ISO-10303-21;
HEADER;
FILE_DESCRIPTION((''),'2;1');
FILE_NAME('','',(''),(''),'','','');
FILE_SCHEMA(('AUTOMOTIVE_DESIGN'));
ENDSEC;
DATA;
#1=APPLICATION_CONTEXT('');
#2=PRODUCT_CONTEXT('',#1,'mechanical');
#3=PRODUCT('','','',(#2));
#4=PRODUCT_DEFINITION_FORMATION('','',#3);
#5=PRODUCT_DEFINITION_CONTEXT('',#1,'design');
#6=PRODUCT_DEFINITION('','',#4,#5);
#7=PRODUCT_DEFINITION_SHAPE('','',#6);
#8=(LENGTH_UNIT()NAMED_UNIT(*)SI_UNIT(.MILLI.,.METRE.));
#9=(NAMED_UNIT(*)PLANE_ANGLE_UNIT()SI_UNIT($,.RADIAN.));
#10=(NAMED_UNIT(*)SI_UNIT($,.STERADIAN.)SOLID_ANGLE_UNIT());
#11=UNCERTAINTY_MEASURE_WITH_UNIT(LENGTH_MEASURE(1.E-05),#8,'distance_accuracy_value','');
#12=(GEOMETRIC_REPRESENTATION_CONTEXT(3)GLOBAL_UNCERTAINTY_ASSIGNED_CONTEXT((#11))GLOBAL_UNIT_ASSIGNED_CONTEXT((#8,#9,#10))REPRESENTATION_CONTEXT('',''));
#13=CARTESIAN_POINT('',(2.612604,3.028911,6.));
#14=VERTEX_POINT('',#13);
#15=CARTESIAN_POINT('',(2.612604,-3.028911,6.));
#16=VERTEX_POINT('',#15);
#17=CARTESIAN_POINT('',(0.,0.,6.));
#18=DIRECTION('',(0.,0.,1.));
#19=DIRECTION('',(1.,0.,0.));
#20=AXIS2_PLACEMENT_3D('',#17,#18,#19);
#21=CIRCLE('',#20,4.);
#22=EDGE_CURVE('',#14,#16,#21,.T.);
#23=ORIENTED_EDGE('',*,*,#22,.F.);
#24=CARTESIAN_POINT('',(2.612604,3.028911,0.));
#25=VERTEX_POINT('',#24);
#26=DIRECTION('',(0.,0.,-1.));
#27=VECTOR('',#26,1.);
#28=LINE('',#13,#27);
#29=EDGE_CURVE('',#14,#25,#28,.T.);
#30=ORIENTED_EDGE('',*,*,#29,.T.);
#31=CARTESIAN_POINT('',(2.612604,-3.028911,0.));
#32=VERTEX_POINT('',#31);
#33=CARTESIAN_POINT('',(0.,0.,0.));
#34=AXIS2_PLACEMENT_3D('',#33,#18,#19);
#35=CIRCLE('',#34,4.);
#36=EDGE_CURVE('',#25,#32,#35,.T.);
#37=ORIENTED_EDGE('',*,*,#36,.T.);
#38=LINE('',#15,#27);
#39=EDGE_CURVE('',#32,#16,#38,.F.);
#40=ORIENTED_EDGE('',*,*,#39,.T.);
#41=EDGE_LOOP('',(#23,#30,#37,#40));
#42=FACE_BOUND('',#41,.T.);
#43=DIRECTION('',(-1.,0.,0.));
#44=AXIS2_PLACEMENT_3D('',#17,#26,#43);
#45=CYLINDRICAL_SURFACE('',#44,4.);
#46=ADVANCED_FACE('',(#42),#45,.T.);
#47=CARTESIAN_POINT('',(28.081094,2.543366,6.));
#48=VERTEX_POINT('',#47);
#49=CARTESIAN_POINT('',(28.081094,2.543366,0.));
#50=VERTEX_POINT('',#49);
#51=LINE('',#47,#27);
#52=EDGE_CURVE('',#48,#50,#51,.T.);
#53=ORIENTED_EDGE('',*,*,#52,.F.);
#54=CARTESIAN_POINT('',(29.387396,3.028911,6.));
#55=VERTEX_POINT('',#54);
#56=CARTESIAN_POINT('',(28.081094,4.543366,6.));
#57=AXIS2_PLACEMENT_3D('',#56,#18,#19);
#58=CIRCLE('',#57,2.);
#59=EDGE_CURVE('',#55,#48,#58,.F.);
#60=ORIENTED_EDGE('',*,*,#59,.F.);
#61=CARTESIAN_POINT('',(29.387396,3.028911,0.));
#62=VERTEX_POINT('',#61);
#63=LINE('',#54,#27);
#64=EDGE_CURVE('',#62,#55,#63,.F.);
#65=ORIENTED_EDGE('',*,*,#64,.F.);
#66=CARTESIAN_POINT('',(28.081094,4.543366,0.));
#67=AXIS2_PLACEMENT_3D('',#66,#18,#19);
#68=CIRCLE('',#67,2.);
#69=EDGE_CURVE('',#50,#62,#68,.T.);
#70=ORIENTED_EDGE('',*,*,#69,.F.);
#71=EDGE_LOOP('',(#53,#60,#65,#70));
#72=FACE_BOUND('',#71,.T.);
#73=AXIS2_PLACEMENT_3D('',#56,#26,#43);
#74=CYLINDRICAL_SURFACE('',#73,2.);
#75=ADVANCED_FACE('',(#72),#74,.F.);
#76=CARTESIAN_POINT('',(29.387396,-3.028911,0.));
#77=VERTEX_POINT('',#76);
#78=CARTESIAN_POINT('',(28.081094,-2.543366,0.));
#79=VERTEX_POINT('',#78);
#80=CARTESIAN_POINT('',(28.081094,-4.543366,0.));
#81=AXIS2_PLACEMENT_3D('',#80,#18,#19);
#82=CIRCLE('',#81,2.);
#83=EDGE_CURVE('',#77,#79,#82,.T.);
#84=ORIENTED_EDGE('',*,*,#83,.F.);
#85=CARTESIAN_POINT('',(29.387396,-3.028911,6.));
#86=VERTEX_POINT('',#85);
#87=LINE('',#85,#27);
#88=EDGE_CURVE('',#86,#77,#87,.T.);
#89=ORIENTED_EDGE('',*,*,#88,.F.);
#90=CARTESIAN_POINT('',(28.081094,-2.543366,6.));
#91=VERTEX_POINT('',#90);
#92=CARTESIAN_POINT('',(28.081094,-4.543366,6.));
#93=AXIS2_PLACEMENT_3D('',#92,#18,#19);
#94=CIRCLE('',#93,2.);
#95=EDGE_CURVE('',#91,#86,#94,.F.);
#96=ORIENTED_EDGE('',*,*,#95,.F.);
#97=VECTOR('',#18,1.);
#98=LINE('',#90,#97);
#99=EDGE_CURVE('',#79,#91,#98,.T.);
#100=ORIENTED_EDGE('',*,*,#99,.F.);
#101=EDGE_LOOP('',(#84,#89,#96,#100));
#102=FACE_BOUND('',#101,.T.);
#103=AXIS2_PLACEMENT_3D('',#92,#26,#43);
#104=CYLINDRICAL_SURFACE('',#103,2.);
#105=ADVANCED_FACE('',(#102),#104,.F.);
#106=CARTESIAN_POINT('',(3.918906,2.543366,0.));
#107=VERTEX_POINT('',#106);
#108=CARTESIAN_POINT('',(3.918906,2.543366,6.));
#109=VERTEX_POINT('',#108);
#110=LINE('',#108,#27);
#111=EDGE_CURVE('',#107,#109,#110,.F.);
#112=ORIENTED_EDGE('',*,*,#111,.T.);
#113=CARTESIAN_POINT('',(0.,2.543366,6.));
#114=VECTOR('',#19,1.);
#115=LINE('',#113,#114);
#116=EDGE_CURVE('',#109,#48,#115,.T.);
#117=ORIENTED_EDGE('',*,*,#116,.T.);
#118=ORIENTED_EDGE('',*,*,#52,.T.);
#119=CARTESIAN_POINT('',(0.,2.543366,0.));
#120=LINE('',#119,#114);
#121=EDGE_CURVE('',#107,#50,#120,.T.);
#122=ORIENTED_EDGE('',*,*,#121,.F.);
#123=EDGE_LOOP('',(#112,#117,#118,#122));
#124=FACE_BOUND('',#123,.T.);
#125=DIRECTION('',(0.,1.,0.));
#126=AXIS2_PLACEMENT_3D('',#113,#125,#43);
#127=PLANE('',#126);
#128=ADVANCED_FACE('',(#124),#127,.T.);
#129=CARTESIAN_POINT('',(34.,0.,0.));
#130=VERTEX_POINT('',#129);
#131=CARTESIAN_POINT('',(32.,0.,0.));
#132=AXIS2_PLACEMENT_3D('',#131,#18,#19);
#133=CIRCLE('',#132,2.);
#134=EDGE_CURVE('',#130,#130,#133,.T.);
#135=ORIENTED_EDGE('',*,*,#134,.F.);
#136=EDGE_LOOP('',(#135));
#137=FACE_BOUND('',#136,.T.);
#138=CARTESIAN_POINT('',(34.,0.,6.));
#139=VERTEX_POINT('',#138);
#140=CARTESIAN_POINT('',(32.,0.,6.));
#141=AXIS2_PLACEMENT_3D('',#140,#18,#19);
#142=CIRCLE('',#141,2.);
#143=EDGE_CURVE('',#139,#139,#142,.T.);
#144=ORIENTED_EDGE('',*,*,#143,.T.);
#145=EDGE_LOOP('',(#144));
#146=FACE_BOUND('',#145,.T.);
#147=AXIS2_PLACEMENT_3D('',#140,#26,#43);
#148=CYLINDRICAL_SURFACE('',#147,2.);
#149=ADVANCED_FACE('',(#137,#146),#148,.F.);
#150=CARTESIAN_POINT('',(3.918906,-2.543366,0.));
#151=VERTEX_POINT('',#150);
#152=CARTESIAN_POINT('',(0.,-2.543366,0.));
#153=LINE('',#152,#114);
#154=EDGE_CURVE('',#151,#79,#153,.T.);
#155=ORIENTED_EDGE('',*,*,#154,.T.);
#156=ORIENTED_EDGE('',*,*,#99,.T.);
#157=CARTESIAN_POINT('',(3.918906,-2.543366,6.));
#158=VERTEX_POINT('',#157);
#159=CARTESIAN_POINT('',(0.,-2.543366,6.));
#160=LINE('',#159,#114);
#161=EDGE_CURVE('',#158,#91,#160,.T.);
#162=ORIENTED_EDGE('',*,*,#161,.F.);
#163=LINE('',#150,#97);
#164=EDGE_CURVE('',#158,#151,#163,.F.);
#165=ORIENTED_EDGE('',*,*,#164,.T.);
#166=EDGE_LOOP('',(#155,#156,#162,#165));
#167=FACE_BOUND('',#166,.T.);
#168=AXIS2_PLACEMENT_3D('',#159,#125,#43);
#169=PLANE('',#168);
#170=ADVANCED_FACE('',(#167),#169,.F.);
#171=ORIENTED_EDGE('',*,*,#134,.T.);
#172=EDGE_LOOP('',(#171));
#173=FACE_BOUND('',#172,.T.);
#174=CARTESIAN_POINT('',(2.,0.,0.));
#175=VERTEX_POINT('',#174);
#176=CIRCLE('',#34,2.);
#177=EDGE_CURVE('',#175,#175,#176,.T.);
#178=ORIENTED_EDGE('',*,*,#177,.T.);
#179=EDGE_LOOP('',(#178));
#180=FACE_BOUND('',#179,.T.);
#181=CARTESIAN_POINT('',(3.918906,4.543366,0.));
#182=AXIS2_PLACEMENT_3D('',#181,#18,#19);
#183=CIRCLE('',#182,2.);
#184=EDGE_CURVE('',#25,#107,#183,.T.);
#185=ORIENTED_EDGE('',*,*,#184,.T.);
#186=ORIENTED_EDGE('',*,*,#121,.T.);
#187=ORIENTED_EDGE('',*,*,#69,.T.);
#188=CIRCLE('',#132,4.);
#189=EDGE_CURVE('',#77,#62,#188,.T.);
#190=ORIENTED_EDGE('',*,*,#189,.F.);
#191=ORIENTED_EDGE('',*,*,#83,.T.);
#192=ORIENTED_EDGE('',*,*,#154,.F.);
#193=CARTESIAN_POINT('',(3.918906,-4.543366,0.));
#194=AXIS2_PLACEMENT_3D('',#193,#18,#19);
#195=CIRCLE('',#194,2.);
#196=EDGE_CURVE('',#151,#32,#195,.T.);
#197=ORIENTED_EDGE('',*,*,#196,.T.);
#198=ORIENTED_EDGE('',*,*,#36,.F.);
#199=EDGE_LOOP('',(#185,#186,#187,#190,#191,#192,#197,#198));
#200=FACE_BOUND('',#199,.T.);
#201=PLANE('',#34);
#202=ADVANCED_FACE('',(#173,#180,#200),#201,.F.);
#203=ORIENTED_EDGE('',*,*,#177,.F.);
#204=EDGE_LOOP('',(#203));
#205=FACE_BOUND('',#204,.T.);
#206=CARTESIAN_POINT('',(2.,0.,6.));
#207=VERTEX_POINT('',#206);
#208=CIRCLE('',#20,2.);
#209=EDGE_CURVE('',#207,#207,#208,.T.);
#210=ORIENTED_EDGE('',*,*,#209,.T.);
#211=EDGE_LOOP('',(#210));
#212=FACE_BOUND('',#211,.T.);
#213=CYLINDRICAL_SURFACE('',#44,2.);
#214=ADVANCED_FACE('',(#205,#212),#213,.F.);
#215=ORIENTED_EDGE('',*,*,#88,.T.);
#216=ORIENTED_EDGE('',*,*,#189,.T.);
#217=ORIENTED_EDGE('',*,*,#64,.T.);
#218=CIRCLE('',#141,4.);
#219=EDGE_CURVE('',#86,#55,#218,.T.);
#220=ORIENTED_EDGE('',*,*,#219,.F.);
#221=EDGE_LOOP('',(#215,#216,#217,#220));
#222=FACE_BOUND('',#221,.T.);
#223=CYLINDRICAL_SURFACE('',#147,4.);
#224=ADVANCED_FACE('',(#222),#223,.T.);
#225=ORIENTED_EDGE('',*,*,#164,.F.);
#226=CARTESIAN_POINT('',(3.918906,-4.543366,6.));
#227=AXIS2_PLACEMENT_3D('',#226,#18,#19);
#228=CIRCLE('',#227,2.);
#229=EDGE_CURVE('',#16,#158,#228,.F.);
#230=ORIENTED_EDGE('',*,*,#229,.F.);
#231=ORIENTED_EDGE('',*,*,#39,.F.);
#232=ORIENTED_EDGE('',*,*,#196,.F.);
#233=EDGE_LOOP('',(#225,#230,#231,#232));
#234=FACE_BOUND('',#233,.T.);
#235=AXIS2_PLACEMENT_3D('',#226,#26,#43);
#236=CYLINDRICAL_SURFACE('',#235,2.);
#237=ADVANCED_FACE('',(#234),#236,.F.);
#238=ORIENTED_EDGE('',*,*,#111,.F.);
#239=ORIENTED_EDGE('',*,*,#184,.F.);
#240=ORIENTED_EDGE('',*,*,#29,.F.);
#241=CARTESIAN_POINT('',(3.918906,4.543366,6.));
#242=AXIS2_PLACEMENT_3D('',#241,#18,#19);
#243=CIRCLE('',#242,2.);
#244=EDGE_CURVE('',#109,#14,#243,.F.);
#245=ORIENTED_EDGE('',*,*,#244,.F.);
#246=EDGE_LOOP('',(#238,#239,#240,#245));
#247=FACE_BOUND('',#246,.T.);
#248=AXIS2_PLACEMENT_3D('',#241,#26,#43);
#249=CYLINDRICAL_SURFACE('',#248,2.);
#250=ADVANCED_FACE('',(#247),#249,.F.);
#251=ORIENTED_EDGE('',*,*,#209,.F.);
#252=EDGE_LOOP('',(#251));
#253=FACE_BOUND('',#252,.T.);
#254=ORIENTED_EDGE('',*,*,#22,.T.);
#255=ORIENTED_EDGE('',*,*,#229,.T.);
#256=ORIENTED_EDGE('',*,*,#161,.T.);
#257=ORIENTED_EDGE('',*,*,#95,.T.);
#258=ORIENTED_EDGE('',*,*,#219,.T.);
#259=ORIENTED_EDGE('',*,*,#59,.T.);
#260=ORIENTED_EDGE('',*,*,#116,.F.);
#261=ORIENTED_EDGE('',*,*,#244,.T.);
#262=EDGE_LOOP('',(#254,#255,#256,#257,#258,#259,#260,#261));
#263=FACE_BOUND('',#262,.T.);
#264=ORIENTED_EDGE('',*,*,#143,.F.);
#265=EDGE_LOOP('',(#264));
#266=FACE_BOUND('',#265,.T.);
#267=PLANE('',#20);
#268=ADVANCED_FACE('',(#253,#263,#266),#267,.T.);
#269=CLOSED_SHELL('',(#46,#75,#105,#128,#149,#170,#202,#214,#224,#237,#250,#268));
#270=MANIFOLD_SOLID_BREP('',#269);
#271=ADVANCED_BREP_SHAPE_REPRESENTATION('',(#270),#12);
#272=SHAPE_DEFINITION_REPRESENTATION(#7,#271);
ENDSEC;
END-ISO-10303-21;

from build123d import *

# Parameters (mm, degrees)
SKETCH1_R           = 2
BOSS_EXTRUDE1_DEPTH = 6
FILLET1_R           = 2


with BuildPart() as part:
    # Sketch1 → Boss-Extrude1 (new body)
    with BuildSketch(Plane.XY):
        with BuildLine():
            Line((28.912721374, 2.543366015), (3.087278626, 2.543366015))
            ThreePointArc((3.087278626, 2.543366015), (1.706829801, 3.617558849), (0, 4))
            ThreePointArc((0, 4), (-4, 0), (0, -4))
            ThreePointArc((0, -4), (1.706829801, -3.617558849), (3.087278626, -2.543366015))
            Line((3.087278626, -2.543366015), (28.912721374, -2.543366015))
            ThreePointArc((28.912721374, -2.543366015), (30.293170199, -3.617558849), (32, -4))
            ThreePointArc((32, -4), (36, 0), (32, 4))
            ThreePointArc((32, 4), (30.293170199, 3.617558849), (28.912721374, 2.543366015))
        make_face()
        Circle(SKETCH1_R, mode=Mode.SUBTRACT)
        with Locations((32, 0)):
            Circle(SKETCH1_R, mode=Mode.SUBTRACT)
    extrude(amount=BOSS_EXTRUDE1_DEPTH)

    # Fillet1
    fillet1_edges = [part.edges().sort_by_distance(p)[0] for p in [
        (28.912721374, 2.543366015, 3),
        (28.912721374, -2.543366015, 3),
        (3.087278626, -2.543366015, 3),
        (3.087278626, 2.543366015, 3),
    ]]
    fillet(fillet1_edges, radius=FILLET1_R)


solid = part.part
